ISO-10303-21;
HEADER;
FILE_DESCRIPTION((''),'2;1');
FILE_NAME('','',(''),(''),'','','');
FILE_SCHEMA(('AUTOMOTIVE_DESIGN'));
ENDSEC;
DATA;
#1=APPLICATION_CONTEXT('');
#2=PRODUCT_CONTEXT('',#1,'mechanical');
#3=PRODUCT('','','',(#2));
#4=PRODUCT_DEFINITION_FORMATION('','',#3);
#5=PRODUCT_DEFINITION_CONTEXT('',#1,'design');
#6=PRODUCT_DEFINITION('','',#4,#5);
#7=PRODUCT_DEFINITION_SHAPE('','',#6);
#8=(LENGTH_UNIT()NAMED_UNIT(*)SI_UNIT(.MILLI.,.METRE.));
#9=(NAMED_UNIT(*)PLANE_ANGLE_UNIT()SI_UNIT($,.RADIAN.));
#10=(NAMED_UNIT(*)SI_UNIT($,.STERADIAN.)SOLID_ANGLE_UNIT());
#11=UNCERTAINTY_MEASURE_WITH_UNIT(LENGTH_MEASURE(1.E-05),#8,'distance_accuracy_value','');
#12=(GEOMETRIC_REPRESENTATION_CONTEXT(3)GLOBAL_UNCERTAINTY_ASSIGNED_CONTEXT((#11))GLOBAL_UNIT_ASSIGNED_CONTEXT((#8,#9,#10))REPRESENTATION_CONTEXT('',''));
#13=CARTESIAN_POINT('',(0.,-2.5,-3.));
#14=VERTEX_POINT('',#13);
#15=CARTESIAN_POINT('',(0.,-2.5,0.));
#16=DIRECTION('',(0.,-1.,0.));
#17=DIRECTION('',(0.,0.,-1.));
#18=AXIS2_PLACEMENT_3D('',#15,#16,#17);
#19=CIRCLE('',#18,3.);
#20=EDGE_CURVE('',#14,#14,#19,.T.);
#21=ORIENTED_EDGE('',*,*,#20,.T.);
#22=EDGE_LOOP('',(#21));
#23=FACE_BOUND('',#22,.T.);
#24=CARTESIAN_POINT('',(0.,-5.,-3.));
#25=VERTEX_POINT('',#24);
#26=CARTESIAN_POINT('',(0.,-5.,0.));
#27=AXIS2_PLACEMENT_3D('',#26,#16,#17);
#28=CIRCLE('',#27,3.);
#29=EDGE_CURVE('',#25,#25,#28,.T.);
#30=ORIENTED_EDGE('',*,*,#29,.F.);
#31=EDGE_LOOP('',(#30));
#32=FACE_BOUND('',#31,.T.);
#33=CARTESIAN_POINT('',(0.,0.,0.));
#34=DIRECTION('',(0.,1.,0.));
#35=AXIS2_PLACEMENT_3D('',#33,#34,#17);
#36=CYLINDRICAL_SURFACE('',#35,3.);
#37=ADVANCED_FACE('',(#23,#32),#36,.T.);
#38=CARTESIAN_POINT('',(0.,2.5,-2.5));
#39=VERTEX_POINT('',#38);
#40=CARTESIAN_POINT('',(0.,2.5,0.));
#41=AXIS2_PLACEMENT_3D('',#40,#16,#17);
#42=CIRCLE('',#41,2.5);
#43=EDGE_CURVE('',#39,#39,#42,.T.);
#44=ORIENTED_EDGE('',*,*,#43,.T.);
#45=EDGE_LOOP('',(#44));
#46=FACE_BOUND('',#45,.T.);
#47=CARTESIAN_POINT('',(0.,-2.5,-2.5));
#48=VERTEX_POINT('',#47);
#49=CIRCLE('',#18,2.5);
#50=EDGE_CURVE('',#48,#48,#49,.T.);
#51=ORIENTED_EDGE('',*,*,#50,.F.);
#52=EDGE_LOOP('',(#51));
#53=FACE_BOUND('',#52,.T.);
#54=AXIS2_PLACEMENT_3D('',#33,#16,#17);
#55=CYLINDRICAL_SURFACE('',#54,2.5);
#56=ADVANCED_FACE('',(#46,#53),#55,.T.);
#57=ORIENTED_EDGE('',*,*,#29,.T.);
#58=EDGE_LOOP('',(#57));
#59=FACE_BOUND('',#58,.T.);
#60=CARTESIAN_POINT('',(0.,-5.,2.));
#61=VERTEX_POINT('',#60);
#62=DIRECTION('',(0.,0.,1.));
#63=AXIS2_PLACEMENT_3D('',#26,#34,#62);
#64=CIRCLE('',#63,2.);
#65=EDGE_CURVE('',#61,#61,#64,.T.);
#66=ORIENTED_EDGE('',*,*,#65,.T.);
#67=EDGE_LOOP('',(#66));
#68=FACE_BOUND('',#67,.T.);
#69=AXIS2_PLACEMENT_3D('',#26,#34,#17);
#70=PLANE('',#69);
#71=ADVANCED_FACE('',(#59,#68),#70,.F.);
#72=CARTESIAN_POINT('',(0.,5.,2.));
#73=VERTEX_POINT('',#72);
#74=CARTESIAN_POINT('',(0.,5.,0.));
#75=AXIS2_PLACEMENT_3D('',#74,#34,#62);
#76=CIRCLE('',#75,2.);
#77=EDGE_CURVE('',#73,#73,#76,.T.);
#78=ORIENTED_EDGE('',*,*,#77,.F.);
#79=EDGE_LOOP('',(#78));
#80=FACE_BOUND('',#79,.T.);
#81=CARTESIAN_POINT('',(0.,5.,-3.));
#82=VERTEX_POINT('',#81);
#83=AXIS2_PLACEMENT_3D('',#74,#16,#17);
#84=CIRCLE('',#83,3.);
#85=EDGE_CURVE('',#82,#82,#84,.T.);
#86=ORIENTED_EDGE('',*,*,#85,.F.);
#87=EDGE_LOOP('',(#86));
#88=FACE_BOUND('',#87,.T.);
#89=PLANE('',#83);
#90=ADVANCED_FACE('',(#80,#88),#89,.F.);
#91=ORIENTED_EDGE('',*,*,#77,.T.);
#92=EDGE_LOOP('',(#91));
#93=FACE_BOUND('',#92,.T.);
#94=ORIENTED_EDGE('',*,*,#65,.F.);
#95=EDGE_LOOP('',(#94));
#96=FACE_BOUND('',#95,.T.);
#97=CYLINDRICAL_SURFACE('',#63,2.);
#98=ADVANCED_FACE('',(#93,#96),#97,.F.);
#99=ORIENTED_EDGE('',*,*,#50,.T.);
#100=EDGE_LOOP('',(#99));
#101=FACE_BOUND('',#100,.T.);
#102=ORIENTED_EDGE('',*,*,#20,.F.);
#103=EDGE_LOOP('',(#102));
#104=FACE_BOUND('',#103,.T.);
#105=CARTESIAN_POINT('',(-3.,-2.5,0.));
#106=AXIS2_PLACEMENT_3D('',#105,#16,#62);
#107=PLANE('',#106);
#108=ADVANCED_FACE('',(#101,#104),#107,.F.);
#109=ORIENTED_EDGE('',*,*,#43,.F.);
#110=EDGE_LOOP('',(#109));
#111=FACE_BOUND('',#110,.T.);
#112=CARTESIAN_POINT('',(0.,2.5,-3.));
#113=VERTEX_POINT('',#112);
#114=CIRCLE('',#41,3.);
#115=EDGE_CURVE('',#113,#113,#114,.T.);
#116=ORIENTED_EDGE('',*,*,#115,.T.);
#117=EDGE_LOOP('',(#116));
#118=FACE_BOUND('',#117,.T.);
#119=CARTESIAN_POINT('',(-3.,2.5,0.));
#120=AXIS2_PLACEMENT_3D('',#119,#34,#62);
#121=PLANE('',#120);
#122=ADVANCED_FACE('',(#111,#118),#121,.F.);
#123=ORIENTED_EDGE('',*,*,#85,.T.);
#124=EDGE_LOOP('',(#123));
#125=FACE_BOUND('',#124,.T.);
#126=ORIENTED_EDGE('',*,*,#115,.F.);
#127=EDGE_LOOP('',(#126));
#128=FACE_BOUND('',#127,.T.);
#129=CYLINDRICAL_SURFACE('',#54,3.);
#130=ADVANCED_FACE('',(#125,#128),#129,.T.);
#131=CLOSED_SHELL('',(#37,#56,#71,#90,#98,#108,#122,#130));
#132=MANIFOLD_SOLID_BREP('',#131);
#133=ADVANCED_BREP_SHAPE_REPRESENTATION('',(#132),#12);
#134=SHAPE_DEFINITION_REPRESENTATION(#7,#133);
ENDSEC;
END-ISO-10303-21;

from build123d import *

# Parameters (mm, degrees)
SKETCH2_R          = 2
CUT_EXTRUDE1_DEPTH = 11.862780491


with BuildPart() as part:
    # Sketch1 → Revolve1 (revolve)
    with BuildSketch(Plane.XY, mode=Mode.PRIVATE) as revolve1_sk:
        Polygon((0, 0), (0, 5), (-3, 5), (-3, 2.5), (-2.5, 2.5), (-2.5, 0), align=None)
    revolve1 = revolve(revolve1_sk.sketch.rotate(Axis((0, 0, 0), (0, 1, 0)), 270), axis=Axis((0, 0, 0), (0, 1, 0)))

    # Mirror1: Revolve1 across plane
    add(revolve1.mirror(Plane(origin=(-2.5, 0, 0), x_dir=(0, 0, 1), z_dir=(0, 1, 0))))

    # Sketch2 → Cut-Extrude1 (cut, through all)
    with BuildSketch(Plane(origin=(0, 5, 0), x_dir=(1, 0, 0), z_dir=(0, 1, 0))):
        with Locations(Location((0, 0, 0), (0, 0, 270))):
            Circle(SKETCH2_R)
    extrude(amount=-CUT_EXTRUDE1_DEPTH, mode=Mode.SUBTRACT)


solid = part.part
